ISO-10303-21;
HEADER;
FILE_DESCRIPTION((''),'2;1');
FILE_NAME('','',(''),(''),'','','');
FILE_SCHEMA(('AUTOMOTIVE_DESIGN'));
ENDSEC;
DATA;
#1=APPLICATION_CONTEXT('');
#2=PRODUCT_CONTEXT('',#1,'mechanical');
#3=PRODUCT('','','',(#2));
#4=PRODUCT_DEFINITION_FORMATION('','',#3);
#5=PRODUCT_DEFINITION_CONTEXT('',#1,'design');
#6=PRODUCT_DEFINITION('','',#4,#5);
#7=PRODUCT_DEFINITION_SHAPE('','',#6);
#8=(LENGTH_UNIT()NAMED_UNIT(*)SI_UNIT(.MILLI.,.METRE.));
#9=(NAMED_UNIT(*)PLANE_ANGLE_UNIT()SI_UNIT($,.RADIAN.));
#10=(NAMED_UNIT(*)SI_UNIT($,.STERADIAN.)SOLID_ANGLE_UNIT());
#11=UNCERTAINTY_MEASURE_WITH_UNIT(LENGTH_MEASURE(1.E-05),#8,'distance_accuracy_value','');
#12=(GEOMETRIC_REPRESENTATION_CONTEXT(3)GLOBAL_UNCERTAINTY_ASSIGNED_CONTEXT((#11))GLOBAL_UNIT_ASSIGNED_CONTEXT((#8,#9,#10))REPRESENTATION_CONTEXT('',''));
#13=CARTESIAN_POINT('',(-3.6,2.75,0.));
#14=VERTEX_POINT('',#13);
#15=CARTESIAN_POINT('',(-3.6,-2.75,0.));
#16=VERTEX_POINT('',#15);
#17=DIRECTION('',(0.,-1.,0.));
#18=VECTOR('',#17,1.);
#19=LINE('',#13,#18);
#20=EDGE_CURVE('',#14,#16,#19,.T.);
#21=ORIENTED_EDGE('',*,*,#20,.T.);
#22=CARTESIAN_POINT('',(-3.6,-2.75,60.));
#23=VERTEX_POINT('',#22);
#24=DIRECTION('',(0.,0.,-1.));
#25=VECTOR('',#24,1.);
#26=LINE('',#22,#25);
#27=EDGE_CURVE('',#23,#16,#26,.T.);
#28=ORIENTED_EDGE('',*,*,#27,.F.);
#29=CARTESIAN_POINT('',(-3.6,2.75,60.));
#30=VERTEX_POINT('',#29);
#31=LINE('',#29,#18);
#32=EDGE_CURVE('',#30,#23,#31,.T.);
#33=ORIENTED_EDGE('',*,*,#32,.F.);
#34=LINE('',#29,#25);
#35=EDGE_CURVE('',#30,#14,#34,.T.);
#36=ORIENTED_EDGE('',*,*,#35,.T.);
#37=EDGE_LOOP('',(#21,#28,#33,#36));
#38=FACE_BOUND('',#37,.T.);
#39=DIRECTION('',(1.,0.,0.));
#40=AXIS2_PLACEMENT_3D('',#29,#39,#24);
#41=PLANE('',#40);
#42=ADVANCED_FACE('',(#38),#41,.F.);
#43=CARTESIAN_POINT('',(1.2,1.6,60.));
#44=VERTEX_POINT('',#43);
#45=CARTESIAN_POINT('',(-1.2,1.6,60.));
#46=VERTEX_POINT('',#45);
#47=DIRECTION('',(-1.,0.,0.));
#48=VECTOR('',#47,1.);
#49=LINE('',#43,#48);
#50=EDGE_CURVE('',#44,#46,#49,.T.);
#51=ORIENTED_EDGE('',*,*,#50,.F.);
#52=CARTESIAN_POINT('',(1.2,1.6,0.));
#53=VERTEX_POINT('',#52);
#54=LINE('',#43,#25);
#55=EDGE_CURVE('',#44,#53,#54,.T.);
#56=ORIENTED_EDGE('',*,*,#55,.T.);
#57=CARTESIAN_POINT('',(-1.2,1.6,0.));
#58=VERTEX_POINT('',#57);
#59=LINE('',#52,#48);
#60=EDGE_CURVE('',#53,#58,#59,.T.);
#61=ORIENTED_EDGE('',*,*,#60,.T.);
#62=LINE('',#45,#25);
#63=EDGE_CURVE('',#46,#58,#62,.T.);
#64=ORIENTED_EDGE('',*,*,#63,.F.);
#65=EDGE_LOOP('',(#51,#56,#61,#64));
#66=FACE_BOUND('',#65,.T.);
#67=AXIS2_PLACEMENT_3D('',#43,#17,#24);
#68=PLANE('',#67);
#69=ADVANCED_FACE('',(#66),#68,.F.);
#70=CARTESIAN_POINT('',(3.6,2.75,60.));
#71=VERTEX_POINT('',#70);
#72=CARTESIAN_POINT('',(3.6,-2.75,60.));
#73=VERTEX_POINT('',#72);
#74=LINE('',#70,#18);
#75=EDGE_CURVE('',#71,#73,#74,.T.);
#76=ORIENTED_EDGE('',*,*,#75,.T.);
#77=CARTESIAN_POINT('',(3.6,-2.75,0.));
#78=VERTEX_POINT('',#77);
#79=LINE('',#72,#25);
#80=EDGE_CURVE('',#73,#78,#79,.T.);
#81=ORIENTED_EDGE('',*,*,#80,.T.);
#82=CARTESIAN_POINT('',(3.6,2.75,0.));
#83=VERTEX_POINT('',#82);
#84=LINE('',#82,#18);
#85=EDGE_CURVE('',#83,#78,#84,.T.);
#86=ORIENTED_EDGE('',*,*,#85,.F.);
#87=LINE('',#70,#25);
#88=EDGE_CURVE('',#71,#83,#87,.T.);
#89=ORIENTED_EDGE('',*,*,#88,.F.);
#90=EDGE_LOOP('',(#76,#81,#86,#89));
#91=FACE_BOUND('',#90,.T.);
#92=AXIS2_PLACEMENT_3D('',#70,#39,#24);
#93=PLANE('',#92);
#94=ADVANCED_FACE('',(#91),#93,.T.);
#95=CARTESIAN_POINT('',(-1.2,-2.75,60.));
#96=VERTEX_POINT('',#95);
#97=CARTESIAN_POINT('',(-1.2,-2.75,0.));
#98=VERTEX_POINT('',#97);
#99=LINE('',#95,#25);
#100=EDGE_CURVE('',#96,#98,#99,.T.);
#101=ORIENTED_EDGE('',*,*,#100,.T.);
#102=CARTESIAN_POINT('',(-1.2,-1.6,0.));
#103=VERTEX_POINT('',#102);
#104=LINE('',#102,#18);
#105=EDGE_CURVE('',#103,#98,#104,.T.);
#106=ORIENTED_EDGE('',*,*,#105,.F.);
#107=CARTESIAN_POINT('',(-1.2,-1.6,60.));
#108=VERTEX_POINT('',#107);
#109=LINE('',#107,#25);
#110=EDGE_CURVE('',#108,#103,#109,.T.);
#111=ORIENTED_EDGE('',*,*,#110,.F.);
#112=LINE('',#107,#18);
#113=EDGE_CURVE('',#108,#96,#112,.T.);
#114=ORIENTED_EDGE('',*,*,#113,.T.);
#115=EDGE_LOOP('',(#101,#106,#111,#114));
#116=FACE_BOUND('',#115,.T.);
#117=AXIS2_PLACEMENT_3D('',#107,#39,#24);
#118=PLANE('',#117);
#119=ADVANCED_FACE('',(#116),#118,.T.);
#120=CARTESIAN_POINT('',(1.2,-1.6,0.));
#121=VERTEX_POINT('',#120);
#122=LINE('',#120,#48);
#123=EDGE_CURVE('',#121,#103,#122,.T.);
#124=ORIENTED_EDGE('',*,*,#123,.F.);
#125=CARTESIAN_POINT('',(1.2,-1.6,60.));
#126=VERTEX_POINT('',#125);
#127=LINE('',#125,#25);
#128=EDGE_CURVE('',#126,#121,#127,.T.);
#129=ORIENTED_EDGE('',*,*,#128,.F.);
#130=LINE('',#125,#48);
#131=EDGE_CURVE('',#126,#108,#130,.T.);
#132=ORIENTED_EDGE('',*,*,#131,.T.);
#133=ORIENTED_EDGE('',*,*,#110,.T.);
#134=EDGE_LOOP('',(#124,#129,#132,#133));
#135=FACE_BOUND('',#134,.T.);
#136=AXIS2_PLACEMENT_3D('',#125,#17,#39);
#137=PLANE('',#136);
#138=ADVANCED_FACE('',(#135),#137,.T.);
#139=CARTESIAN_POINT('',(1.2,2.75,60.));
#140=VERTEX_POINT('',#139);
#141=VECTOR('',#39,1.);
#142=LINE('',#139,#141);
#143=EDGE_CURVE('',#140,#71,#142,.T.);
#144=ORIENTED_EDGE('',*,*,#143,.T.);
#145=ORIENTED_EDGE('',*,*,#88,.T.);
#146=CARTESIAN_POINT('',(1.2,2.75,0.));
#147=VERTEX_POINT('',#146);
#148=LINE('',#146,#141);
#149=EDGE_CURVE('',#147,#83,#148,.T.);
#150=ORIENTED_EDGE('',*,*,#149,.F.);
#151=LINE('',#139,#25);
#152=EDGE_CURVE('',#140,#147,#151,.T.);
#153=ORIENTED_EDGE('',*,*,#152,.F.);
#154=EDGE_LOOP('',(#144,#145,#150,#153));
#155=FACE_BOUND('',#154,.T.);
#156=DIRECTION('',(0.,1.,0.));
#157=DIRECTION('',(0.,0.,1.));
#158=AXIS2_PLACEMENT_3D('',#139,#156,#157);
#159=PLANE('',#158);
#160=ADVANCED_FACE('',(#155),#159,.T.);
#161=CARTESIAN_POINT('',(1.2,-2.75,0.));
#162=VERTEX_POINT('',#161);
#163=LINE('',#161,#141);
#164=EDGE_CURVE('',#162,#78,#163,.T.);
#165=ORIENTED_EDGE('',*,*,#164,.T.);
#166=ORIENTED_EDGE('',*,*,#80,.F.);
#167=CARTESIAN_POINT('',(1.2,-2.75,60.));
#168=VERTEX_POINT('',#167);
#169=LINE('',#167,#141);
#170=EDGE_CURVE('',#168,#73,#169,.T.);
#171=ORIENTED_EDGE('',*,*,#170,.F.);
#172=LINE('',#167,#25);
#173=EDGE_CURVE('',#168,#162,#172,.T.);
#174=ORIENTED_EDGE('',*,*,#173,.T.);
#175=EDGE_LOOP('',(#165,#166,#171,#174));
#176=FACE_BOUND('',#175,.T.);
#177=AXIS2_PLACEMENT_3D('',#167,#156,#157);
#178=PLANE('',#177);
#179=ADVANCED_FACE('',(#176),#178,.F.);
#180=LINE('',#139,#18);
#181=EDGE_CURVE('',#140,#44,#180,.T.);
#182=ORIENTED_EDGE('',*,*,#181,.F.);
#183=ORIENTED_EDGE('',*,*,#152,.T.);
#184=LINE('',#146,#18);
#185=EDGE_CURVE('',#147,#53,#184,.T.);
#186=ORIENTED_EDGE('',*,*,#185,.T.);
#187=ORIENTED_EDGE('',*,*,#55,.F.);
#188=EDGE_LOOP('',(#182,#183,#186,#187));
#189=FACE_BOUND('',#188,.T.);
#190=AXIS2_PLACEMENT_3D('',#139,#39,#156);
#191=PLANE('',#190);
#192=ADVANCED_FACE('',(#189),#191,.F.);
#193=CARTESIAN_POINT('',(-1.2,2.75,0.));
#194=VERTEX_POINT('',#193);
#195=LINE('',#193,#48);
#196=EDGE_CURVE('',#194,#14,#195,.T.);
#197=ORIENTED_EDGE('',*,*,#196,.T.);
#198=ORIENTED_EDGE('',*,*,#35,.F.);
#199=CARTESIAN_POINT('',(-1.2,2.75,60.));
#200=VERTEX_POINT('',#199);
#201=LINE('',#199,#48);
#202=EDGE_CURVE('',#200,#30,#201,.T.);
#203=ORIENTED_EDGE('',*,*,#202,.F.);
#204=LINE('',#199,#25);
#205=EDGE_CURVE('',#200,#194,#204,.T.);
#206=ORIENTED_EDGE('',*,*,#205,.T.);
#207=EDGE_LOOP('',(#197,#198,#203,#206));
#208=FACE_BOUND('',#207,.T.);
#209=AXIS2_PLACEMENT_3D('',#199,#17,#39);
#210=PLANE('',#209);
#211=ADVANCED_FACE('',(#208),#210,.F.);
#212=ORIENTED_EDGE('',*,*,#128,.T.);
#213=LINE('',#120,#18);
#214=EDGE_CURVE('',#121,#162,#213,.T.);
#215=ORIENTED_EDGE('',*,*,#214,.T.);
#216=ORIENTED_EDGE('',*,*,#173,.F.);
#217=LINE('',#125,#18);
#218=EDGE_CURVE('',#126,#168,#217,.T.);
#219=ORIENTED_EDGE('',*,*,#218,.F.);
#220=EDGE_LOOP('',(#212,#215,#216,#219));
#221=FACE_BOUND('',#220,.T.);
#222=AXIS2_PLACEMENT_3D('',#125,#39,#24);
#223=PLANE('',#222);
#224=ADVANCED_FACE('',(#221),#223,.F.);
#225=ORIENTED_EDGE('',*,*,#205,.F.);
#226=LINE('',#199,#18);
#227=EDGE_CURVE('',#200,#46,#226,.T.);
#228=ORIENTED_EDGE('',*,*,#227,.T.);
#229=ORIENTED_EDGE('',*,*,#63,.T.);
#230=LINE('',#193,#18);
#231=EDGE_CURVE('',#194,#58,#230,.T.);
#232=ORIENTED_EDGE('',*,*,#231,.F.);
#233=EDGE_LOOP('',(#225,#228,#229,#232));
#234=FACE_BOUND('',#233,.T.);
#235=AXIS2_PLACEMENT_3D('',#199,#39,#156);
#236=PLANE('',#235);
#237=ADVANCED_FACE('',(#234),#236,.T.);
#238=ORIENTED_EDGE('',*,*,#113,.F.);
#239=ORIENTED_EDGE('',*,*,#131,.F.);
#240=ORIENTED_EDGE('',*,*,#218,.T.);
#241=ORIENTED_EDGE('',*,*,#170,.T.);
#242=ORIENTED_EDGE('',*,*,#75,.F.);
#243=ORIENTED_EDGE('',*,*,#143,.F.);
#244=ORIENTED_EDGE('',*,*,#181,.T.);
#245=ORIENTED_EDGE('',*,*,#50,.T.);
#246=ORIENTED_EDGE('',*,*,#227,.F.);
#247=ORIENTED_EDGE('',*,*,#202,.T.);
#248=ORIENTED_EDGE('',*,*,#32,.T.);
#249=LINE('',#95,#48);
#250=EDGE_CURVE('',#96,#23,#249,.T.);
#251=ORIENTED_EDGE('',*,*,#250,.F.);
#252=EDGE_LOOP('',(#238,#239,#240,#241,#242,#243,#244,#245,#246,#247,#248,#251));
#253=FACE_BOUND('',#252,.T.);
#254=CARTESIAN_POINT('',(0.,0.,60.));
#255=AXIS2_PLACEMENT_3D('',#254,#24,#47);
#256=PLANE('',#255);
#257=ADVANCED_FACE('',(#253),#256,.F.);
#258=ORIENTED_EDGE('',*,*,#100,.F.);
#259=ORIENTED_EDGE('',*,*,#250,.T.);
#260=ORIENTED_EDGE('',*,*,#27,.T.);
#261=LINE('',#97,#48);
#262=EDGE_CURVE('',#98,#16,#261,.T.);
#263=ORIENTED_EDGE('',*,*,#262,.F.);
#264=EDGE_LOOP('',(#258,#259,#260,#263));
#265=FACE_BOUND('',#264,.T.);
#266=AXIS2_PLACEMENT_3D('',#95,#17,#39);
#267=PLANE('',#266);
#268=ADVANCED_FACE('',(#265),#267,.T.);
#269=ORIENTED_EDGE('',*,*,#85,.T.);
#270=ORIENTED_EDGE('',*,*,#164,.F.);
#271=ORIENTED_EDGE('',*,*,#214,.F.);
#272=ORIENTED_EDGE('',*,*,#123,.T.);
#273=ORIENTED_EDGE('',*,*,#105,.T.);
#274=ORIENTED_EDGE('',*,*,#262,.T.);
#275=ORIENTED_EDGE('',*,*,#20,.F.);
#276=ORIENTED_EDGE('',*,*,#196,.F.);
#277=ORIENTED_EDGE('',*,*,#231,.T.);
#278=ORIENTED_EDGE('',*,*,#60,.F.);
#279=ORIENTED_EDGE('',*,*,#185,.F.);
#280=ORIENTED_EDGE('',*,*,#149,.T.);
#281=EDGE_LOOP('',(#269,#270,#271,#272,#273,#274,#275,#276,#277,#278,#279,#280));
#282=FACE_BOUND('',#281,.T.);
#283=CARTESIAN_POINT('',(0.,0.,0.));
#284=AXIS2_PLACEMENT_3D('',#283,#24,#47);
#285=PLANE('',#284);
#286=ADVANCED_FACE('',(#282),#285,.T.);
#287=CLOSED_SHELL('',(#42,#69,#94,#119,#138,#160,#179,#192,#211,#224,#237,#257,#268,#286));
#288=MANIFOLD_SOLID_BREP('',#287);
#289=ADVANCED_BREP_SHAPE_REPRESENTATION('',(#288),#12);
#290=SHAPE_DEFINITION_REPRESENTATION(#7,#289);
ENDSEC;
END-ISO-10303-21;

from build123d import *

# Parameters (mm, degrees)
BOSS_EXTRUDE1_DEPTH = 60


with BuildPart() as part:
    # Sketch1 → Boss-Extrude1 (new body)
    with BuildSketch(Plane.XY):
        Polygon((-1.2, 2.75), (-3.6, 2.75), (-3.6, -2.75), (-1.2, -2.75), (-1.2, -1.6), (1.2, -1.6), (1.2, -2.75), (3.6, -2.75), (3.6, 2.75), (1.2, 2.75), (1.2, 1.6), (-1.2, 1.6), align=None)
    extrude(amount=BOSS_EXTRUDE1_DEPTH)


solid = part.part
